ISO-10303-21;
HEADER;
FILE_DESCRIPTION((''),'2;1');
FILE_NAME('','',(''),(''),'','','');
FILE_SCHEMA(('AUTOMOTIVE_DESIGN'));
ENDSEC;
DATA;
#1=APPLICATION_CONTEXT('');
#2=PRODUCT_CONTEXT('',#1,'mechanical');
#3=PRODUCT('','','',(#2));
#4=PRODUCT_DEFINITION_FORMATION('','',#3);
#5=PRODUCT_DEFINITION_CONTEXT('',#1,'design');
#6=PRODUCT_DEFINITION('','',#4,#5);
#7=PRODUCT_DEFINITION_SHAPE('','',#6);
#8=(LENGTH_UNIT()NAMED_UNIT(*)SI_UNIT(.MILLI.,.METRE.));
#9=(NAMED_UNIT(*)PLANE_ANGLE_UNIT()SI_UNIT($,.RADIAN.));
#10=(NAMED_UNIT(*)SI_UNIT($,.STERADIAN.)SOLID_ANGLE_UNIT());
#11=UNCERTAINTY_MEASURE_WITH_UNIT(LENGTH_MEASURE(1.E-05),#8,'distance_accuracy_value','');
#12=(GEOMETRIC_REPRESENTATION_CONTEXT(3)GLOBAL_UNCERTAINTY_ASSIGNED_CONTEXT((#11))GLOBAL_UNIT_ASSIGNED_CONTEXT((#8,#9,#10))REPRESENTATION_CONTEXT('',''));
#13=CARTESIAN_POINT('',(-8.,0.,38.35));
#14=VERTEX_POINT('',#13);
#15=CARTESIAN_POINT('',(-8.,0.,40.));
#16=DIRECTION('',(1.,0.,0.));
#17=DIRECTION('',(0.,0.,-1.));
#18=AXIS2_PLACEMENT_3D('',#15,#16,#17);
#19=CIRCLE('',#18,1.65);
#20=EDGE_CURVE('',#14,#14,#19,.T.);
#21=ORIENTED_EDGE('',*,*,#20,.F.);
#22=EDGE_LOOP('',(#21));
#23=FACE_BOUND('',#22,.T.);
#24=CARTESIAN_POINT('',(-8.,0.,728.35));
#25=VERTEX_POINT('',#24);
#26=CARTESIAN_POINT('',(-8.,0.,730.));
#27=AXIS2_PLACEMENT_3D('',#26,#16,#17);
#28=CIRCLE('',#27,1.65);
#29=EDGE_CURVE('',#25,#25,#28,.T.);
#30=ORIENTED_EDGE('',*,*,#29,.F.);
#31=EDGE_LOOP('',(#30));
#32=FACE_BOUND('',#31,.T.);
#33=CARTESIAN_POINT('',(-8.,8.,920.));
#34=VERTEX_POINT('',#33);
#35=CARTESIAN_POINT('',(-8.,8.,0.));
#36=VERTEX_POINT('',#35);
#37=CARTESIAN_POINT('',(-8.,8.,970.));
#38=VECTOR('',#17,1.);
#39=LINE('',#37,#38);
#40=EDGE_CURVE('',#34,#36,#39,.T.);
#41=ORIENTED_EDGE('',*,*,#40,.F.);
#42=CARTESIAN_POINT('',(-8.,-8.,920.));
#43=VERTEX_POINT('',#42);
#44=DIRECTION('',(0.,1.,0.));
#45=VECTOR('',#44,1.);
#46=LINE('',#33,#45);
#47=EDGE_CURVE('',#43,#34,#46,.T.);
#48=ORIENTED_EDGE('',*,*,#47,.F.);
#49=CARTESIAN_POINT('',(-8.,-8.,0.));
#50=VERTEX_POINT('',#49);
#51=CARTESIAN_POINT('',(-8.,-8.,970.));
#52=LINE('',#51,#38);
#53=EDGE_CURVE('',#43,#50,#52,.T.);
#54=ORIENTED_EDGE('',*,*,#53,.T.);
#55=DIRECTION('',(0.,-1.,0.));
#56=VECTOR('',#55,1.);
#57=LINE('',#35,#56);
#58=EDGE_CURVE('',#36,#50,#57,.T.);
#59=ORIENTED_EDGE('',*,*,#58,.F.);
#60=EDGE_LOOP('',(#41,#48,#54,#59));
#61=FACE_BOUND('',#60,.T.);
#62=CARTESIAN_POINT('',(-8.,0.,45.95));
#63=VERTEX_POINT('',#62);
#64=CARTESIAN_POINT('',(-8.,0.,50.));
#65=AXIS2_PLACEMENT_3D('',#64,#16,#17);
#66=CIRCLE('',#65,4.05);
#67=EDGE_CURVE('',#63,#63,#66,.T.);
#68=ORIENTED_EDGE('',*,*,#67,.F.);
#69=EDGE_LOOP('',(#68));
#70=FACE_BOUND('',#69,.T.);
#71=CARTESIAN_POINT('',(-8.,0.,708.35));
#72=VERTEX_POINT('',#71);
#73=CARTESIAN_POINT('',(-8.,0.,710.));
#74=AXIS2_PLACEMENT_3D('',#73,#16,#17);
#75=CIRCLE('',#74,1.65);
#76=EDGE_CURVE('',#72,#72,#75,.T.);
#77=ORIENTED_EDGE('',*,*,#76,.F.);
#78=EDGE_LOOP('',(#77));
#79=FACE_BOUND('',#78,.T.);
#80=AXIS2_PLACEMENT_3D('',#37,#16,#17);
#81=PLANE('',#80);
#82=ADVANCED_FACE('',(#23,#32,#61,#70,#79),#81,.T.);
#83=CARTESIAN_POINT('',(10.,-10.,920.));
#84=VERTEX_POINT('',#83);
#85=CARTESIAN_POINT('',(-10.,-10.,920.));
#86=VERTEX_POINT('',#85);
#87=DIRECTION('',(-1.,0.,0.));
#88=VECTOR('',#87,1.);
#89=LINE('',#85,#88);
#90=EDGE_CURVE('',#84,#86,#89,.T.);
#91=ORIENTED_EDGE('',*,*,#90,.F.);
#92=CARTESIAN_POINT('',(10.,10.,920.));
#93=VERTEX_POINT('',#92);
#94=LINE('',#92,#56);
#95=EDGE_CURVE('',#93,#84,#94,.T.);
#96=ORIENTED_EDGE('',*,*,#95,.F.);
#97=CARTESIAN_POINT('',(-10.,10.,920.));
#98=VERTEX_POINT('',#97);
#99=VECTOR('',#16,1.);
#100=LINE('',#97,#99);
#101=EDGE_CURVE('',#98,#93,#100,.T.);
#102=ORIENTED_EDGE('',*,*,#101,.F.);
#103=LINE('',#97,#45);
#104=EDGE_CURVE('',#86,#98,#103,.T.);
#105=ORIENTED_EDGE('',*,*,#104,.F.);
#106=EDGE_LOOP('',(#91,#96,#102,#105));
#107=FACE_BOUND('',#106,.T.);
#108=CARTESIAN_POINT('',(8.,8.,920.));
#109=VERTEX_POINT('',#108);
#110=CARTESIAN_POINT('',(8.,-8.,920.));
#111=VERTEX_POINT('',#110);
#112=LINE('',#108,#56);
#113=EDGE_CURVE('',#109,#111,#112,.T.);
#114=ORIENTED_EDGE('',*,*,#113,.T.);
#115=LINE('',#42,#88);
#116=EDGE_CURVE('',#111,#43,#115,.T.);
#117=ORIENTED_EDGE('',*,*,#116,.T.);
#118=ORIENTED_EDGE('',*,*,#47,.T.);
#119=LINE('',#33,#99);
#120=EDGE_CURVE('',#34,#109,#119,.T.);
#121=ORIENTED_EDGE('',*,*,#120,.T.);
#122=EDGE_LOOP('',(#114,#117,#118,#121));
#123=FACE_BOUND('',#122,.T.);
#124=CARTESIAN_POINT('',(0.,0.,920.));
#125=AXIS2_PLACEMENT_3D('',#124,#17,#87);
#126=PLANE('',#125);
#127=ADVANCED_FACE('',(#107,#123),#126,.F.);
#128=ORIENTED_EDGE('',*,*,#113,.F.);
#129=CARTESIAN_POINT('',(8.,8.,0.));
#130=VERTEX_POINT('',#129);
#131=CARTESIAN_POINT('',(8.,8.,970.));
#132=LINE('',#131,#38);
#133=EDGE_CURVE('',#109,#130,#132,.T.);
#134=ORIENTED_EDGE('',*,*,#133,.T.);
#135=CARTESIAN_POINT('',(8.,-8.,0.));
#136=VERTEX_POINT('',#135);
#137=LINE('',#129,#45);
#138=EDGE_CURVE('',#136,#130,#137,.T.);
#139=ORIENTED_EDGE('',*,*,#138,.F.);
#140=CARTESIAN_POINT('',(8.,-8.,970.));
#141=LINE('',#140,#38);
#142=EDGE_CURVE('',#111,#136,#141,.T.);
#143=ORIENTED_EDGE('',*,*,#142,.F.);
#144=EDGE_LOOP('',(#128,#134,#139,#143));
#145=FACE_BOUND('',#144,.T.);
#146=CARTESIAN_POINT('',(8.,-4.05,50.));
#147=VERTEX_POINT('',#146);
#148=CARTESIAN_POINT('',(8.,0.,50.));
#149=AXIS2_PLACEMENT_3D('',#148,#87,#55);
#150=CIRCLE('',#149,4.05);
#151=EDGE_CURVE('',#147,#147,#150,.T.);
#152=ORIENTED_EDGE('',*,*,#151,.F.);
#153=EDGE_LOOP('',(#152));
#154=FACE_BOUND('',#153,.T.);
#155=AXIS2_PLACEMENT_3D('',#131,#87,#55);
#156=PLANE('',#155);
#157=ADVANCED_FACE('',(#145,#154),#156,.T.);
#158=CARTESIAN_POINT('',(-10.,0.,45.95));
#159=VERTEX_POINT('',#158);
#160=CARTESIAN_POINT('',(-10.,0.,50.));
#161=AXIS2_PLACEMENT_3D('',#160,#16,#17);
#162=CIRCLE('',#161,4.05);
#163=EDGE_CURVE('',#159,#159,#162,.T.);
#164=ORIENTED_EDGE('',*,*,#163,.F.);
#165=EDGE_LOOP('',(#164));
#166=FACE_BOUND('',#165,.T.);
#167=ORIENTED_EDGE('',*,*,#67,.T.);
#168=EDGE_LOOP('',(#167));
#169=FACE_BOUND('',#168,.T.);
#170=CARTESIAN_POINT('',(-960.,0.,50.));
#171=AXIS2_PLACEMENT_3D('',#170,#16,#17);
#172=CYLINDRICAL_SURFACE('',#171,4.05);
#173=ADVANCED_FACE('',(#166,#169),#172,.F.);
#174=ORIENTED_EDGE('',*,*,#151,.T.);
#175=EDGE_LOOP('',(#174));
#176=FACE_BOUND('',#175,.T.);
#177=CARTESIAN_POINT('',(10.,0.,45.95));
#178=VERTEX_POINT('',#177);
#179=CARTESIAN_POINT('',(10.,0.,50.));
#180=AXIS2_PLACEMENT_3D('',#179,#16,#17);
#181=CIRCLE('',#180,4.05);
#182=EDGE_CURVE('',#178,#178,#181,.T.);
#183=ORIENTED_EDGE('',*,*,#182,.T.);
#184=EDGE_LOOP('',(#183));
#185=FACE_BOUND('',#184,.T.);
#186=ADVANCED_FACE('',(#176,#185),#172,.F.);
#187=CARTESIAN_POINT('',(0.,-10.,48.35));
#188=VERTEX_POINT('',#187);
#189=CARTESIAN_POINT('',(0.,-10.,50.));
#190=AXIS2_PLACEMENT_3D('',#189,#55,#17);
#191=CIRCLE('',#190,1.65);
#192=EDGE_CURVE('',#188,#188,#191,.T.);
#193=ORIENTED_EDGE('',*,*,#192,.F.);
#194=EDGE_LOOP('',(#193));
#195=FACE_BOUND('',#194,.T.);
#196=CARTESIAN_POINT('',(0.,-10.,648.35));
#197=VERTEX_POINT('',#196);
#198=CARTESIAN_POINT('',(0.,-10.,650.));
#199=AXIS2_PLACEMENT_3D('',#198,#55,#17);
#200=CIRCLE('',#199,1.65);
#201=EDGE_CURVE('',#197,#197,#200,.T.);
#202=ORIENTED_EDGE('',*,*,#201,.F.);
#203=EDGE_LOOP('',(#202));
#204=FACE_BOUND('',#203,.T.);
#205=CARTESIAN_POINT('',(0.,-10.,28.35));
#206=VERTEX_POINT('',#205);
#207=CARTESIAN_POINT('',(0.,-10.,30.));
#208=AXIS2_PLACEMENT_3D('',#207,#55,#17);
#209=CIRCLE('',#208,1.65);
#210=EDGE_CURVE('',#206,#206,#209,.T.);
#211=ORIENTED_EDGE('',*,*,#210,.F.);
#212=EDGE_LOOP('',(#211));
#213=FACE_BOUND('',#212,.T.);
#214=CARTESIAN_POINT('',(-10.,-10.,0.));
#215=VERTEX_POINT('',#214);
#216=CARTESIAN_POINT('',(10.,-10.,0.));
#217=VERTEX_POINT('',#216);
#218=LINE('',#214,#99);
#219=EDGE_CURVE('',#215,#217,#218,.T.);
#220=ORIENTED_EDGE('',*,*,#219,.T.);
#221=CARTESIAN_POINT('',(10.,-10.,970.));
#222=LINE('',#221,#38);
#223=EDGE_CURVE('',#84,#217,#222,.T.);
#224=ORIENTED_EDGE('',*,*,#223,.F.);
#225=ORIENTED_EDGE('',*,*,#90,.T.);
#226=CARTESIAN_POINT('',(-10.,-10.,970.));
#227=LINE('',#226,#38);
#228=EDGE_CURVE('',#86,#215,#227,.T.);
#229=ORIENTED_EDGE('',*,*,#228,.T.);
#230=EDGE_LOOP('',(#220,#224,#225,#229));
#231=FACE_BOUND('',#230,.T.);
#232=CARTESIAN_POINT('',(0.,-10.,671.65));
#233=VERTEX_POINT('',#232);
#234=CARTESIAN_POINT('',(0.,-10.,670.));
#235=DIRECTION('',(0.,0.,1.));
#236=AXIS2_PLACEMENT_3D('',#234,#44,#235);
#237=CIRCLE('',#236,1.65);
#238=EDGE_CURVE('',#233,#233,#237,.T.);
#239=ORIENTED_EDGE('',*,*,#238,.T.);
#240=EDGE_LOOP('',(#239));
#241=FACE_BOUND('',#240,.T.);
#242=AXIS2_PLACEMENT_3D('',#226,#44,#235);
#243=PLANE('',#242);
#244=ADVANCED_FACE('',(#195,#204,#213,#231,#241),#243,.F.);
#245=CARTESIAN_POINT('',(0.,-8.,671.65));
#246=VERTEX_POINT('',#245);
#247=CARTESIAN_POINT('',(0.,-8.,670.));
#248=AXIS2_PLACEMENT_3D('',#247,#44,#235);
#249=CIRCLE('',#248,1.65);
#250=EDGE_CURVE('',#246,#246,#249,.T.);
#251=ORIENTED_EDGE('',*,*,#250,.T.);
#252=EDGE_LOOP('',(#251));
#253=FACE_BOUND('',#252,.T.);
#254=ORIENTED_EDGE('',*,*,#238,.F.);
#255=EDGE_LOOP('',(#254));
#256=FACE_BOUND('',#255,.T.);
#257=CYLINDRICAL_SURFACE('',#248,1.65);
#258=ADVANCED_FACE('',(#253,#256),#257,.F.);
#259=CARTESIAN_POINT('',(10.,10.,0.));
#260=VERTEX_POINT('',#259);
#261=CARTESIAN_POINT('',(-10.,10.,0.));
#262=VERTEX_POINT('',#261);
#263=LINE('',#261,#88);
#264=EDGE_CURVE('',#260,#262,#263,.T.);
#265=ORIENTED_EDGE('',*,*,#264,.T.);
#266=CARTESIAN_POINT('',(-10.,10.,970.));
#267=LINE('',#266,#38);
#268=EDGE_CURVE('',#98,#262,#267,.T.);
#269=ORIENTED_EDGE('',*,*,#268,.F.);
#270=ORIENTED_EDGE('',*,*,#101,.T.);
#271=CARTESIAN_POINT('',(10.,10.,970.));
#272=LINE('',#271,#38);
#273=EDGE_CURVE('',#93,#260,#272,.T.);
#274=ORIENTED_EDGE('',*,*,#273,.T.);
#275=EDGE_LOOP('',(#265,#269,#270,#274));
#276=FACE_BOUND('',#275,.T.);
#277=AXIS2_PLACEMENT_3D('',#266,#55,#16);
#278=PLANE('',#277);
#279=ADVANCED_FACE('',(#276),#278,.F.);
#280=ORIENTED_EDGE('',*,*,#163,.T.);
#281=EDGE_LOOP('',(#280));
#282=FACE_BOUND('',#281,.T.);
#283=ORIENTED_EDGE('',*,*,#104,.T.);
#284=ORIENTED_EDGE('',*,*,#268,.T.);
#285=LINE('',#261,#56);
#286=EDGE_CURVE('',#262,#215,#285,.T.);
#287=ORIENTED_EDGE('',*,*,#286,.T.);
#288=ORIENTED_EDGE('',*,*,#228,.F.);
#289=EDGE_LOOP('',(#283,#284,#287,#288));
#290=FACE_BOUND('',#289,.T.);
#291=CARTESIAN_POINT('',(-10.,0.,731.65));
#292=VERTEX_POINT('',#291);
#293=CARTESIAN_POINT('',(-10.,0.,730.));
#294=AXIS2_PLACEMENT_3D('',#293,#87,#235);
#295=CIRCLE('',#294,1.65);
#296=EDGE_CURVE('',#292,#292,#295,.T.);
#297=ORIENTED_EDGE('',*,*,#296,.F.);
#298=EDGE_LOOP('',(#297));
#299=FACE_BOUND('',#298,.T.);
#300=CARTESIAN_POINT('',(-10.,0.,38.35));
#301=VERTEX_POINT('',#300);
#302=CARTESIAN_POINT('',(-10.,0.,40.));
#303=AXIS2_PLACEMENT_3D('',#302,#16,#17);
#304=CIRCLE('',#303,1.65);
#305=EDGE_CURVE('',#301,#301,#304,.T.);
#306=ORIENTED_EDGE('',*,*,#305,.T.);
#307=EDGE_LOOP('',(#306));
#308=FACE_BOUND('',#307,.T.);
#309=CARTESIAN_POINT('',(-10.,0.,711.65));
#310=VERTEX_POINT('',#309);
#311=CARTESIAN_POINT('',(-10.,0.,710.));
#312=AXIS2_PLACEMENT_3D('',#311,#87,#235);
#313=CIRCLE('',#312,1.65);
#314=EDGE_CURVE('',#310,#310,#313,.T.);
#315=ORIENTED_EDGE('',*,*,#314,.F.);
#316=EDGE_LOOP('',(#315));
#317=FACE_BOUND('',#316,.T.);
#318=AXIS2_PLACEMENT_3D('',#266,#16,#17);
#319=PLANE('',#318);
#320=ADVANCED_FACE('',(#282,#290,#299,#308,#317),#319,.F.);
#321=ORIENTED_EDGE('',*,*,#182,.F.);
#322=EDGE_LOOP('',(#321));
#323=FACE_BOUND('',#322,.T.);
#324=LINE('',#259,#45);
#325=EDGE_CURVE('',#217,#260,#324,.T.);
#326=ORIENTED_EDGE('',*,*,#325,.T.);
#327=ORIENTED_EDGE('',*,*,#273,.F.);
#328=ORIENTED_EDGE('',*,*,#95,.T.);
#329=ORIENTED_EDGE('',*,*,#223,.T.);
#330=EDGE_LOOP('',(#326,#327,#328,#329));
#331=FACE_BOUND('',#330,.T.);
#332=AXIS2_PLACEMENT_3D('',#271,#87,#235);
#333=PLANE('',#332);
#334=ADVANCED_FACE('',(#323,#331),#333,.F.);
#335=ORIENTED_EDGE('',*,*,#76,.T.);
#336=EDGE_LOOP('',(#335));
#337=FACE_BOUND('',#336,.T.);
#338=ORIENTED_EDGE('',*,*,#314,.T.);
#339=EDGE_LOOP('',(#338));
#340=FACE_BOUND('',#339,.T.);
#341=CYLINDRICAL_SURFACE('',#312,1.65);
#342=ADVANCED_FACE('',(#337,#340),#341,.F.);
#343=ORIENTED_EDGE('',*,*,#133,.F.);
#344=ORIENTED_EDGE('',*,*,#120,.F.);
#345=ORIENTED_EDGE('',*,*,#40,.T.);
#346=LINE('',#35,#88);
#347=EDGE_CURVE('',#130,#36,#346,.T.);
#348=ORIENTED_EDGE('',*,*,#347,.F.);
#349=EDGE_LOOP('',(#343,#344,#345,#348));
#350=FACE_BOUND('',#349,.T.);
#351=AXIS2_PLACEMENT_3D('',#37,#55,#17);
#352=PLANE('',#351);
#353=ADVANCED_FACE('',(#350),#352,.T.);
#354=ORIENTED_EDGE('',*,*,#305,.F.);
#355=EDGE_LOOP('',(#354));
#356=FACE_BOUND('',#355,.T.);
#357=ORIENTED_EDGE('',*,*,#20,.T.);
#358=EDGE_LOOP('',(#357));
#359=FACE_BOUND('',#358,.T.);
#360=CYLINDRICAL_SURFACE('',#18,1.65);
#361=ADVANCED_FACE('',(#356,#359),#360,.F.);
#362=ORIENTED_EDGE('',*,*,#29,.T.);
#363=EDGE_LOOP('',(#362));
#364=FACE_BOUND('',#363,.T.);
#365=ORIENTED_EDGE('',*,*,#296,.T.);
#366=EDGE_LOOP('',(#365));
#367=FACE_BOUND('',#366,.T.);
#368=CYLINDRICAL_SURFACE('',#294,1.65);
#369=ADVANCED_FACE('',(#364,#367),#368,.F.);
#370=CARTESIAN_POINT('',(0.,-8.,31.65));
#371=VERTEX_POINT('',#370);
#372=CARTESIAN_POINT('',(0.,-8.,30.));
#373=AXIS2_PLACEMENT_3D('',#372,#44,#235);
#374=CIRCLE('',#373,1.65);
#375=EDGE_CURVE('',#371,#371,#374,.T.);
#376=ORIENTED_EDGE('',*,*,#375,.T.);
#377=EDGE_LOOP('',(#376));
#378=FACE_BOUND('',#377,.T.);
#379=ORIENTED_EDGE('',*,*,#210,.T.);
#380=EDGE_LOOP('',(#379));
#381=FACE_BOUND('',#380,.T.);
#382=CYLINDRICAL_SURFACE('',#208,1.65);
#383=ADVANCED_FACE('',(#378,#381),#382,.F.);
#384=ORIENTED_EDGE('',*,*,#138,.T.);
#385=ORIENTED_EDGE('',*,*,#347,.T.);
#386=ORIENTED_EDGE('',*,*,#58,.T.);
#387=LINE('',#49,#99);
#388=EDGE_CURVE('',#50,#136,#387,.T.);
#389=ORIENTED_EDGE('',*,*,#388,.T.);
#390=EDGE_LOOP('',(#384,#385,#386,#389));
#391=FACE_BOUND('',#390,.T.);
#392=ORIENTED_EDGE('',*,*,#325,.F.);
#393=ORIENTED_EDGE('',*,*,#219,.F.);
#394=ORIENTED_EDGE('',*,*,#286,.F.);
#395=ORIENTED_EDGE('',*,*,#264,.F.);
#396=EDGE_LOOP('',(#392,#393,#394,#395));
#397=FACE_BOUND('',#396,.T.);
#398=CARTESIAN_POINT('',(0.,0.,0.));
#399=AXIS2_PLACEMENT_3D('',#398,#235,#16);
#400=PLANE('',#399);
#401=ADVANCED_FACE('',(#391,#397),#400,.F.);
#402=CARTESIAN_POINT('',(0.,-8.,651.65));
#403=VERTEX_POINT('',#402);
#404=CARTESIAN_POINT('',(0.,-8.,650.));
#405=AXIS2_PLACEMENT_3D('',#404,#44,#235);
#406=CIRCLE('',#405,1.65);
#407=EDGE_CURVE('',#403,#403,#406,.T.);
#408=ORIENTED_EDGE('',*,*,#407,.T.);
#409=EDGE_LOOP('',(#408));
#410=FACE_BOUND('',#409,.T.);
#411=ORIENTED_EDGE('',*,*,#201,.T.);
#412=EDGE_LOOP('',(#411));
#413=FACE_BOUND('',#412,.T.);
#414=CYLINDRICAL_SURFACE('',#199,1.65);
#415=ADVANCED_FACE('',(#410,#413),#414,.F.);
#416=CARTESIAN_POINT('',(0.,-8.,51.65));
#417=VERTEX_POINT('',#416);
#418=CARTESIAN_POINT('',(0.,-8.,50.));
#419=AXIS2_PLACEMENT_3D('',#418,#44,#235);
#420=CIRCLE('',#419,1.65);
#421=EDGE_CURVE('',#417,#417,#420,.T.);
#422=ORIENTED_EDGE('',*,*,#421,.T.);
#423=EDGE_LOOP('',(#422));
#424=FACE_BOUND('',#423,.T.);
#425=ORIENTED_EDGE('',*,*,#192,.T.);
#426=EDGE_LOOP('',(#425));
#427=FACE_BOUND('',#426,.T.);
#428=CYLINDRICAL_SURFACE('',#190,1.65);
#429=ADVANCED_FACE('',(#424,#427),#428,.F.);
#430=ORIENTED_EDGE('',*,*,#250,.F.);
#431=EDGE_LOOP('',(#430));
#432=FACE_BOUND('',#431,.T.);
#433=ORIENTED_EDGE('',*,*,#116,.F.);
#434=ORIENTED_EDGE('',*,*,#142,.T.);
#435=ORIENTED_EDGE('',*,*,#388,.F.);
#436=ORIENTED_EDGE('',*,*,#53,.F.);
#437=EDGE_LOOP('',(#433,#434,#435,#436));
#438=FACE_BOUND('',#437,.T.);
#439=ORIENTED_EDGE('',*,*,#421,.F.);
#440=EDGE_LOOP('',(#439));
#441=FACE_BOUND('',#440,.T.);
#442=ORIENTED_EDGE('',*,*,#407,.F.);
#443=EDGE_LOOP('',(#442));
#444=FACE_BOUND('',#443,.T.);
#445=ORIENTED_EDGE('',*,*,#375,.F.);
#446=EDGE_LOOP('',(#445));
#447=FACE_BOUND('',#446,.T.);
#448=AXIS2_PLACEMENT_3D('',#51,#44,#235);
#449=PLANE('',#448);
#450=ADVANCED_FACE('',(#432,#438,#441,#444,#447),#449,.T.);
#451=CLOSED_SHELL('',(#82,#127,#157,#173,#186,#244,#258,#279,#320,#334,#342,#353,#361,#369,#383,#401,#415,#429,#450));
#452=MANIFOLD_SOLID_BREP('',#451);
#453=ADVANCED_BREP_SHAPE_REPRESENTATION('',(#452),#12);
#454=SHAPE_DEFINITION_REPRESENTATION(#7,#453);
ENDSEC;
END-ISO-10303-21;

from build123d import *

# Parameters (mm, degrees)
SKETCH_1_W               = 20
SKETCH_1_H               = 20
SKETCH_1_W_2             = 16
SKETCH_1_H_2             = 16
EXTRUDE_1_DEPTH          = 970
SKETCH_2_R               = 4.05
CUT_EXTRUDE_1_DEPTH      = 970
SKETCH_4_W               = 21.376287738
SKETCH_4_H               = 29.089038522
CUT_EXTRUDE_3_DEPTH      = 50
SKETCH_6_R               = 1
CUT_EXTRUDE_5_DEPTH      = 10
M4X0_7_1_D               = 3.3
M4X0_7_1_DEPTH           = 5
M4X0_7_1_TIP             = 0.991420021
SKETCH_10_R              = 1
CUT_EXTRUDE_6_DEPTH      = 5
M4X0_7_4_D               = 3.3
M4X0_7_4_DEPTH           = 5
M4X0_7_4_TIP             = 0.991420021
M4X0_7_4_ON_FACE_2_D     = 3.3
M4X0_7_4_ON_FACE_2_DEPTH = 5
M4X0_7_4_ON_FACE_2_TIP   = 0.991420021
SKETCH_12_R              = 1
CUT_EXTRUDE_7_DEPTH      = 5
M4X0_7_5_D               = 3.3
M4X0_7_5_DEPTH           = 9
M4X0_7_5_TIP             = 0.991420021
M4X0_7_5_ON_FACE_2_D     = 3.3
M4X0_7_5_ON_FACE_2_DEPTH = 9
M4X0_7_5_ON_FACE_2_TIP   = 0.991420021


with BuildPart() as part:
    # ｽｹｯﾁ1 → ﾎﾞｽ - 押し出し1 (new body)
    with BuildSketch(Plane.XY):
        Rectangle(SKETCH_1_W, SKETCH_1_H)
        Rectangle(SKETCH_1_W_2, SKETCH_1_H_2, mode=Mode.SUBTRACT)
    extrude(amount=EXTRUDE_1_DEPTH)

    # ｽｹｯﾁ2 → ｶｯﾄ - 押し出し1 (cut)
    with BuildSketch(Plane(origin=(10, 0, 0), x_dir=(0, 0, -1), z_dir=(1, 0, 0))):
        with Locations((-50, 0)):
            Circle(SKETCH_2_R)
    extrude(amount=-CUT_EXTRUDE_1_DEPTH, mode=Mode.SUBTRACT)

    # ｽｹｯﾁ4 → ｶｯﾄ - 押し出し3 (cut)
    with BuildSketch(Plane.XY.offset(970)):
        Rectangle(SKETCH_4_W, SKETCH_4_H)
    extrude(amount=-CUT_EXTRUDE_3_DEPTH, mode=Mode.SUBTRACT)

    # ｽｹｯﾁ6 → ｶｯﾄ - 押し出し5 (cut)
    with BuildSketch(Plane.XZ.offset(10)):
        with Locations((0, 30)):
            Circle(SKETCH_6_R)
        with Locations((0, 50)):
            Circle(SKETCH_6_R)
    extrude(amount=-CUT_EXTRUDE_5_DEPTH, mode=Mode.SUBTRACT)

    # M4x0.7 ねじ穴1
    with Locations(Plane(origin=(0, -10, 30), x_dir=(0, 0, -1), z_dir=(0, -1, 0))):
        with Locations((0, 0), (-20, 0)):
            Hole(M4X0_7_1_D / 2, depth=M4X0_7_1_DEPTH)
            with Locations((0, 0, -(M4X0_7_1_DEPTH + M4X0_7_1_TIP / 2))):  # 118° drill point
                Cone(0, M4X0_7_1_D / 2, M4X0_7_1_TIP, mode=Mode.SUBTRACT)

    # ｽｹｯﾁ10 → ｶｯﾄ - 押し出し6 (cut)
    with BuildSketch(Plane(origin=(0, -10, 0), x_dir=(-1, 0, 0), z_dir=(0, -1, 0))):
        with Locations((0, -670)):
            Circle(SKETCH_10_R)
        with Locations((0, -650)):
            Circle(SKETCH_10_R)
    extrude(amount=-CUT_EXTRUDE_6_DEPTH, mode=Mode.SUBTRACT)

    # M4x0.7 ねじ穴4
    with Locations(Plane(origin=(0, -10, 650), x_dir=(0, 0, -1), z_dir=(0, -1, 0))):
        with Locations((0, 0)):
            Hole(M4X0_7_4_D / 2, depth=M4X0_7_4_DEPTH)
            with Locations((0, 0, -(M4X0_7_4_DEPTH + M4X0_7_4_TIP / 2))):  # 118° drill point
                Cone(0, M4X0_7_4_D / 2, M4X0_7_4_TIP, mode=Mode.SUBTRACT)

    # M4x0.7 ねじ穴4 on face 2
    with Locations(Plane(origin=(0, -8, 670), x_dir=(0, 0, -1), z_dir=(0, -1, 0))):
        with Locations((0, 0)):
            Hole(M4X0_7_4_ON_FACE_2_D / 2, depth=M4X0_7_4_ON_FACE_2_DEPTH)
            with Locations((0, 0, -(M4X0_7_4_ON_FACE_2_DEPTH + M4X0_7_4_ON_FACE_2_TIP / 2))):  # 118° drill point
                Cone(0, M4X0_7_4_ON_FACE_2_D / 2, M4X0_7_4_ON_FACE_2_TIP, mode=Mode.SUBTRACT)

    # ｽｹｯﾁ12 → ｶｯﾄ - 押し出し7 (cut)
    with BuildSketch(Plane.ZY.offset(10)):
        with Locations((710, 0)):
            Circle(SKETCH_12_R)
        with Locations((730, 0)):
            Circle(SKETCH_12_R)
        with Locations((40, 0)):
            Circle(SKETCH_12_R)
    extrude(amount=-CUT_EXTRUDE_7_DEPTH, mode=Mode.SUBTRACT)

    # M4x0.7 ねじ穴5
    with Locations(Plane(origin=(-10, 0, 730), x_dir=(0, 0, -1), z_dir=(-1, 0, 0))):
        with Locations((0, 0), (20, 0)):
            Hole(M4X0_7_5_D / 2, depth=M4X0_7_5_DEPTH)
            with Locations((0, 0, -(M4X0_7_5_DEPTH + M4X0_7_5_TIP / 2))):  # 118° drill point
                Cone(0, M4X0_7_5_D / 2, M4X0_7_5_TIP, mode=Mode.SUBTRACT)

    # M4x0.7 ねじ穴5 on face 2
    with Locations(Plane(origin=(-8, 0, 40), x_dir=(0, 0, -1), z_dir=(-1, 0, 0))):
        with Locations((0, 0)):
            Hole(M4X0_7_5_ON_FACE_2_D / 2, depth=M4X0_7_5_ON_FACE_2_DEPTH)
            with Locations((0, 0, -(M4X0_7_5_ON_FACE_2_DEPTH + M4X0_7_5_ON_FACE_2_TIP / 2))):  # 118° drill point
                Cone(0, M4X0_7_5_ON_FACE_2_D / 2, M4X0_7_5_ON_FACE_2_TIP, mode=Mode.SUBTRACT)


solid = part.part
